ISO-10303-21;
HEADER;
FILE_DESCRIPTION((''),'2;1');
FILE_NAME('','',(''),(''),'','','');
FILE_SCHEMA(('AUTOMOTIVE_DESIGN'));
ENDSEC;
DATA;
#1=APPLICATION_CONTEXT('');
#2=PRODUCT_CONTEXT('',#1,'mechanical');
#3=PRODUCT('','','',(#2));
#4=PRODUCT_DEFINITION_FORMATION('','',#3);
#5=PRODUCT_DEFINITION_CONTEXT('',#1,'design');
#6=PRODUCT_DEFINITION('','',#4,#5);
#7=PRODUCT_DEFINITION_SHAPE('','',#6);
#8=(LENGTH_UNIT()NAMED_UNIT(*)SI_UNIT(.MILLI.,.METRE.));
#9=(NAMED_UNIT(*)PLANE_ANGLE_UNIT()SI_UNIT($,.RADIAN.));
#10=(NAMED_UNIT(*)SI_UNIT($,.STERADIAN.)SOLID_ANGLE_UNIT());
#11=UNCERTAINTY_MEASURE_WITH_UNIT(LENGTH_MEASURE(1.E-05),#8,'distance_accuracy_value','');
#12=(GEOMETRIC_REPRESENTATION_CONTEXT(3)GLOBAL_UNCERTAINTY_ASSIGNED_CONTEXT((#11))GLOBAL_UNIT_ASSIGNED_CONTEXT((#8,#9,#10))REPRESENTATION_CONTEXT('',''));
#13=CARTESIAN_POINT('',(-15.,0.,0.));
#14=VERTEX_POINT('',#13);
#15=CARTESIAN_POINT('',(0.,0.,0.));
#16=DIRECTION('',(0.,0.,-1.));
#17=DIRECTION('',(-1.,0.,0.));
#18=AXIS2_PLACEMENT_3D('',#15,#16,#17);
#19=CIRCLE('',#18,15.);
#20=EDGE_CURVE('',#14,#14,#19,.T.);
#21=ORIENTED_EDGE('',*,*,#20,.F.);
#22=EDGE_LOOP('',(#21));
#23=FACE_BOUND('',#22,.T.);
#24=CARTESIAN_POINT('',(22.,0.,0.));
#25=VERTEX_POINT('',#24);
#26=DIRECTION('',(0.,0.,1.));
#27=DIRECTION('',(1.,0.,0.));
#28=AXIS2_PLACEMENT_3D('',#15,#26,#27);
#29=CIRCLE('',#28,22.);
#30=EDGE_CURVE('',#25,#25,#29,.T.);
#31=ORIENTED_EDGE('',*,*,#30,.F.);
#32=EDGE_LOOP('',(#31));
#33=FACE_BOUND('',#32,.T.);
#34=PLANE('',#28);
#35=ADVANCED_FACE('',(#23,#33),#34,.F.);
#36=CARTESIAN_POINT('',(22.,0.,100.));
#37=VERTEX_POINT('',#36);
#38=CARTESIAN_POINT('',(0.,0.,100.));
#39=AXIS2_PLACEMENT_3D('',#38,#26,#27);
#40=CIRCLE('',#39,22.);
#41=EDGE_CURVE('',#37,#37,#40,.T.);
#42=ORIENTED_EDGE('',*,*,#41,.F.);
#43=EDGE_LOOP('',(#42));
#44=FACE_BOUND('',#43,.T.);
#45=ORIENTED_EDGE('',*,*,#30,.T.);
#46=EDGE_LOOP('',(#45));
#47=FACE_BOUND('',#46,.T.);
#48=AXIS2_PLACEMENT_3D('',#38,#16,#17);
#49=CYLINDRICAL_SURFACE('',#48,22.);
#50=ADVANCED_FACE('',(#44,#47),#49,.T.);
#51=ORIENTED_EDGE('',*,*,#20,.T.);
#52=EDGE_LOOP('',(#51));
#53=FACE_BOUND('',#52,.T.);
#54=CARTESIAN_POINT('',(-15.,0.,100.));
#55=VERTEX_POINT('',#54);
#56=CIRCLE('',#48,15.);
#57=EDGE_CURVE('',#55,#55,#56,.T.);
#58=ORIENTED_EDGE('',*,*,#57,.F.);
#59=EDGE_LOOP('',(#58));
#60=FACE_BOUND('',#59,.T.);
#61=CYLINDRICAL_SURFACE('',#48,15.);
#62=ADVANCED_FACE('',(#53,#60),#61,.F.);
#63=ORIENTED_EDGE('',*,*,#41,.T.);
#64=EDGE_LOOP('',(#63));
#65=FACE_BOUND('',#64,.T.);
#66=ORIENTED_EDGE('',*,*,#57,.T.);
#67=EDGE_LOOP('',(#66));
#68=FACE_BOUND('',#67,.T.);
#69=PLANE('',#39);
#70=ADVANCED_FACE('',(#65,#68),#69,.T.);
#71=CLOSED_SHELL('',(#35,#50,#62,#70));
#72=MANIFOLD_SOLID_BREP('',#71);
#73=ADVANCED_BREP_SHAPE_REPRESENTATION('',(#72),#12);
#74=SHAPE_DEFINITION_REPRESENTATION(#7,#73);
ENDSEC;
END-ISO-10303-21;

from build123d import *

# Parameters (mm, degrees)
ESQUISSE1_R             = 22
BOSS_EXTRU_1_DEPTH      = 100
ESQUISSE2_R             = 15
ENL_V_MAT_EXTRU_1_DEPTH = 100


with BuildPart() as part:
    # Esquisse1 → Boss.-Extru.1 (new body)
    with BuildSketch(Plane.XY):
        Circle(ESQUISSE1_R)
    extrude(amount=BOSS_EXTRU_1_DEPTH)

    # Esquisse2 → Enlèv. mat.-Extru.1 (cut)
    with BuildSketch(Plane(origin=(0, 0, 0), x_dir=(-1, 0, 0), z_dir=(0, 0, -1))):
        Circle(ESQUISSE2_R)
    extrude(amount=-ENL_V_MAT_EXTRU_1_DEPTH, mode=Mode.SUBTRACT)


solid = part.part
